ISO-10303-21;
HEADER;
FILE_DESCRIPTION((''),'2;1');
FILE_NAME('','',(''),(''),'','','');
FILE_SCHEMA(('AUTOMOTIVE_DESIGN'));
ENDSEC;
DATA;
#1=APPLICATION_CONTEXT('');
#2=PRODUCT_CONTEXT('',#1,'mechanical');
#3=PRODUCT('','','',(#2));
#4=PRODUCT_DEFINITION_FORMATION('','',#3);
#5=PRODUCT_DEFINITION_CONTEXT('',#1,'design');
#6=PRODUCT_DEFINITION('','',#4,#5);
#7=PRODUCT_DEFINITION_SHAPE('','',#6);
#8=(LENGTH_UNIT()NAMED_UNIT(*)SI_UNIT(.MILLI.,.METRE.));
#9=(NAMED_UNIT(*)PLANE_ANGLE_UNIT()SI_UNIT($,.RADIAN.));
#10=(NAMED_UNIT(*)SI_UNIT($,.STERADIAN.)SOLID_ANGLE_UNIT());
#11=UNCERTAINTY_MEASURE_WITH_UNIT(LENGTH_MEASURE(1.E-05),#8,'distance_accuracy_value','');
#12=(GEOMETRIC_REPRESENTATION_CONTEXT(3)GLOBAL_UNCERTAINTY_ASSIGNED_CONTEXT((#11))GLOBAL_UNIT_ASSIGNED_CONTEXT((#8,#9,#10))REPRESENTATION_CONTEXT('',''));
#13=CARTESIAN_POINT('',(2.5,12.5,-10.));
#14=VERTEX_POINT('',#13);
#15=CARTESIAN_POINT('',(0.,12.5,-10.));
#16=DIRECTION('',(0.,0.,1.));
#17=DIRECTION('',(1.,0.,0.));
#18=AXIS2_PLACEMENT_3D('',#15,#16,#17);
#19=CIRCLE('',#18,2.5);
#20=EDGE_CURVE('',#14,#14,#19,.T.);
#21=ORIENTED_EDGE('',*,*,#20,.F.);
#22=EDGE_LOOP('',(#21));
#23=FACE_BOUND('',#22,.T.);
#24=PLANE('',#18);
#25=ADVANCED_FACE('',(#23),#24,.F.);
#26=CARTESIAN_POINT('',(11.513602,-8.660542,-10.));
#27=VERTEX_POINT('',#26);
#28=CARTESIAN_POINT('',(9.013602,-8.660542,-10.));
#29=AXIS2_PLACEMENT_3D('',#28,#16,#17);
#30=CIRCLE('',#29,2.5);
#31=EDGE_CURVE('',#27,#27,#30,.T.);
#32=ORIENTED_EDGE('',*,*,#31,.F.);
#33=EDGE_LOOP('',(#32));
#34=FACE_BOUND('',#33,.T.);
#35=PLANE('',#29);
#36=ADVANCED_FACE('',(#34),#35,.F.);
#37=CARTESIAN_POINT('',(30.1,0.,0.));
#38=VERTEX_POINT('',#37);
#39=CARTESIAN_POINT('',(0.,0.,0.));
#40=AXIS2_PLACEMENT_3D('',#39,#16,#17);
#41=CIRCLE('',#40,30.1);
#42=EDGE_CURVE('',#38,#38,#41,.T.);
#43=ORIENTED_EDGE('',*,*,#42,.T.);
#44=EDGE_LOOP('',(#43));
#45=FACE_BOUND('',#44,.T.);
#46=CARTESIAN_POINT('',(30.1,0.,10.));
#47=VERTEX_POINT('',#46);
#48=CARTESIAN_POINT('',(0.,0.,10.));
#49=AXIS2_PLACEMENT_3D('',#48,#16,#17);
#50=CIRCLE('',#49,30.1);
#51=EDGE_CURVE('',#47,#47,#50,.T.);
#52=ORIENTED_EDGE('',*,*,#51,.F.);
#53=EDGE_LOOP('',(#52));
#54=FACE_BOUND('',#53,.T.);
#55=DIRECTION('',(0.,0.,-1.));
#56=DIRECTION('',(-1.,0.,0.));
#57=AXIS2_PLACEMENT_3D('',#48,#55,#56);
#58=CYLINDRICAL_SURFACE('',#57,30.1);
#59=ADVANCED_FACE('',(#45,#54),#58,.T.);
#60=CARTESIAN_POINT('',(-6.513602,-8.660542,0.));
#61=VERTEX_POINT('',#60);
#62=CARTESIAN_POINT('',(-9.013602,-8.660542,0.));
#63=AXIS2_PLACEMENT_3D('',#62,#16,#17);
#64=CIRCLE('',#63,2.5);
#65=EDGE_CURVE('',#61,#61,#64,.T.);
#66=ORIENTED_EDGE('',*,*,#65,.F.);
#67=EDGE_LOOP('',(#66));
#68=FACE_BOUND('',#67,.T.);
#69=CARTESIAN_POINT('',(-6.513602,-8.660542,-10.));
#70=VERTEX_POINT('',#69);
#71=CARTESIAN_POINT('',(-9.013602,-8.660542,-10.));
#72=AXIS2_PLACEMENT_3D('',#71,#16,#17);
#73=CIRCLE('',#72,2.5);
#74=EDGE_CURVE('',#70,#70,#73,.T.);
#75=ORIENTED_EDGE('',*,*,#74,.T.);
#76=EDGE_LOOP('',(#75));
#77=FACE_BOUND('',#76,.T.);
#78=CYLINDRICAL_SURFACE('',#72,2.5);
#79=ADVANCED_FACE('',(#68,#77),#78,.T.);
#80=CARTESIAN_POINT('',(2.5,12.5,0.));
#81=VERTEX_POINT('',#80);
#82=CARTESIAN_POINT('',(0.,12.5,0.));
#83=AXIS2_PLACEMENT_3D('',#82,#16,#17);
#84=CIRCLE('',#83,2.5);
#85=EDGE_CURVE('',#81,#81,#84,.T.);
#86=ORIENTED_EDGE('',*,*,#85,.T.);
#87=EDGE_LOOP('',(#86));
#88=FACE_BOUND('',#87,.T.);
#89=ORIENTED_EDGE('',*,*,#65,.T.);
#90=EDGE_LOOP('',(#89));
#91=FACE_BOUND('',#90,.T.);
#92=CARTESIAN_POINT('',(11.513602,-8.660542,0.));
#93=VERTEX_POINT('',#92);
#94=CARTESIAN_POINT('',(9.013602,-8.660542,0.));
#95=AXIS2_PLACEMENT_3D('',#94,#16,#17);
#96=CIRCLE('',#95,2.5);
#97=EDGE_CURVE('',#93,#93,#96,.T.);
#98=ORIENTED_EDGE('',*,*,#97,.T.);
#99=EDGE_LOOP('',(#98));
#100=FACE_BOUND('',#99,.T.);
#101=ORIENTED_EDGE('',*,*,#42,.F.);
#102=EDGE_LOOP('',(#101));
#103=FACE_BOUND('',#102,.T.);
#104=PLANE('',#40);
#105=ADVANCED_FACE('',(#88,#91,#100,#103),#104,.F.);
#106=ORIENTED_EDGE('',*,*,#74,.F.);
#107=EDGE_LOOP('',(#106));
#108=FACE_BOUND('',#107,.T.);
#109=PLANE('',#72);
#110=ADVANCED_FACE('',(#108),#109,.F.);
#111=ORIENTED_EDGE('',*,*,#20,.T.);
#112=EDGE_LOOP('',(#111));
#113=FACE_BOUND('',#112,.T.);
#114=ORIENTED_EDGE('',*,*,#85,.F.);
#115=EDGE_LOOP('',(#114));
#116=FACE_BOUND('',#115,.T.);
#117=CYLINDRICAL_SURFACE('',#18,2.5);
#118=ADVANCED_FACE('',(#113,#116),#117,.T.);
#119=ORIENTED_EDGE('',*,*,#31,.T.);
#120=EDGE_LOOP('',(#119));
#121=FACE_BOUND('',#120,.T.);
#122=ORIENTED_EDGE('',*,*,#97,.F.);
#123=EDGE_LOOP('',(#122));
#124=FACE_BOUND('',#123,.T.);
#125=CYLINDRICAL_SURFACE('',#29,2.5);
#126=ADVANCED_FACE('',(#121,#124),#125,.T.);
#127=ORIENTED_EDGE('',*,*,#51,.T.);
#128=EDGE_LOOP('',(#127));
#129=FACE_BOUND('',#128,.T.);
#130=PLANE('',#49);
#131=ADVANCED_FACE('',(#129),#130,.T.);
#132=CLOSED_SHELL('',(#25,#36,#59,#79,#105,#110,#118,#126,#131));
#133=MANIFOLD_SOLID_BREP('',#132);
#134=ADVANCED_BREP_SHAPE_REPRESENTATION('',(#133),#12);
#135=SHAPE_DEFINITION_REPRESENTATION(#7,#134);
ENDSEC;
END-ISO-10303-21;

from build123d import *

# Parameters (mm, degrees)
SKETCH1_R           = 30.1
BOSS_EXTRUDE1_DEPTH = 10
SKETCH1_3_R         = 2.5
BOSS_EXTRUDE2_DEPTH = 10


with BuildPart() as part:
    # Sketch1 → Boss-Extrude1 (new body)
    with BuildSketch(Plane.XY):
        Circle(SKETCH1_R)
    extrude(amount=BOSS_EXTRUDE1_DEPTH)

    # Sketch1<3> → Boss-Extrude2 (add)
    with BuildSketch(Plane.XY):
        with Locations((0, 12.5)):
            Circle(SKETCH1_3_R)
        with Locations((-9.013601894, -8.660541605)):
            Circle(SKETCH1_3_R)
        with Locations((9.013601894, -8.660541605)):
            Circle(SKETCH1_3_R)
    extrude(amount=-BOSS_EXTRUDE2_DEPTH)


solid = part.part
